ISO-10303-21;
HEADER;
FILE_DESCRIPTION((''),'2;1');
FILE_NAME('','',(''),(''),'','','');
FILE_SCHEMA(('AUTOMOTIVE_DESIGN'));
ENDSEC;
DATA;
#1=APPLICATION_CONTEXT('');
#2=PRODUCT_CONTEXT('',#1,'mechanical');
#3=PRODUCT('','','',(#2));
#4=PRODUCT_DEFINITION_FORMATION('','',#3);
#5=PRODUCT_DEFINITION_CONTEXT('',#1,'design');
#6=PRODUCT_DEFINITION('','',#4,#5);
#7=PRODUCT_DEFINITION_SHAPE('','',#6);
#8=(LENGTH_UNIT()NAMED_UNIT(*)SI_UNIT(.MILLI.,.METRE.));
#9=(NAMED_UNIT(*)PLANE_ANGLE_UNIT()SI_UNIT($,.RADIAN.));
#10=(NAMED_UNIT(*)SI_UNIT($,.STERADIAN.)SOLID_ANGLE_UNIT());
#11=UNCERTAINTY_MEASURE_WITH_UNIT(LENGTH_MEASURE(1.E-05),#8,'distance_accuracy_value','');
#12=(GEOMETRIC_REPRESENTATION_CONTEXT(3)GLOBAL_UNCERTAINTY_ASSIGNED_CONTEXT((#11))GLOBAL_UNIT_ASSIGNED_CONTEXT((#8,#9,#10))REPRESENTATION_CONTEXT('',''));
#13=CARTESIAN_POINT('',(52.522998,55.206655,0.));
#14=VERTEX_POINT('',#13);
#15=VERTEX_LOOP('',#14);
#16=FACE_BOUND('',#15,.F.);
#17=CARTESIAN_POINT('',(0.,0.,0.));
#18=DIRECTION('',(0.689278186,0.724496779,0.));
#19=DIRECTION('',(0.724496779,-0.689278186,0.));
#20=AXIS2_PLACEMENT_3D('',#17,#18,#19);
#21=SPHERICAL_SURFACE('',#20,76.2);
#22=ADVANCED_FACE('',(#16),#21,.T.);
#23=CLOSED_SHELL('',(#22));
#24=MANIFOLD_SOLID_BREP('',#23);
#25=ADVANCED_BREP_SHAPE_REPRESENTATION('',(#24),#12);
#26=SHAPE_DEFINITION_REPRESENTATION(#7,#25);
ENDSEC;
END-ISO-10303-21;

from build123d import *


with BuildPart() as part:
    # Sketch3 → Revolve1 (revolve)
    with BuildSketch(Plane.XY):
        with BuildLine():
            Line((52.522997744, 55.206654563), (-52.522997744, -55.206654563))
            ThreePointArc((-52.522997744, -55.206654563), (55.206654563, -52.522997744), (52.522997744, 55.206654563))
        make_face()
    revolve(axis=Axis((52.522997744, 55.206654563, 0), (-0.689278186, -0.724496779, 0)))


solid = part.part
